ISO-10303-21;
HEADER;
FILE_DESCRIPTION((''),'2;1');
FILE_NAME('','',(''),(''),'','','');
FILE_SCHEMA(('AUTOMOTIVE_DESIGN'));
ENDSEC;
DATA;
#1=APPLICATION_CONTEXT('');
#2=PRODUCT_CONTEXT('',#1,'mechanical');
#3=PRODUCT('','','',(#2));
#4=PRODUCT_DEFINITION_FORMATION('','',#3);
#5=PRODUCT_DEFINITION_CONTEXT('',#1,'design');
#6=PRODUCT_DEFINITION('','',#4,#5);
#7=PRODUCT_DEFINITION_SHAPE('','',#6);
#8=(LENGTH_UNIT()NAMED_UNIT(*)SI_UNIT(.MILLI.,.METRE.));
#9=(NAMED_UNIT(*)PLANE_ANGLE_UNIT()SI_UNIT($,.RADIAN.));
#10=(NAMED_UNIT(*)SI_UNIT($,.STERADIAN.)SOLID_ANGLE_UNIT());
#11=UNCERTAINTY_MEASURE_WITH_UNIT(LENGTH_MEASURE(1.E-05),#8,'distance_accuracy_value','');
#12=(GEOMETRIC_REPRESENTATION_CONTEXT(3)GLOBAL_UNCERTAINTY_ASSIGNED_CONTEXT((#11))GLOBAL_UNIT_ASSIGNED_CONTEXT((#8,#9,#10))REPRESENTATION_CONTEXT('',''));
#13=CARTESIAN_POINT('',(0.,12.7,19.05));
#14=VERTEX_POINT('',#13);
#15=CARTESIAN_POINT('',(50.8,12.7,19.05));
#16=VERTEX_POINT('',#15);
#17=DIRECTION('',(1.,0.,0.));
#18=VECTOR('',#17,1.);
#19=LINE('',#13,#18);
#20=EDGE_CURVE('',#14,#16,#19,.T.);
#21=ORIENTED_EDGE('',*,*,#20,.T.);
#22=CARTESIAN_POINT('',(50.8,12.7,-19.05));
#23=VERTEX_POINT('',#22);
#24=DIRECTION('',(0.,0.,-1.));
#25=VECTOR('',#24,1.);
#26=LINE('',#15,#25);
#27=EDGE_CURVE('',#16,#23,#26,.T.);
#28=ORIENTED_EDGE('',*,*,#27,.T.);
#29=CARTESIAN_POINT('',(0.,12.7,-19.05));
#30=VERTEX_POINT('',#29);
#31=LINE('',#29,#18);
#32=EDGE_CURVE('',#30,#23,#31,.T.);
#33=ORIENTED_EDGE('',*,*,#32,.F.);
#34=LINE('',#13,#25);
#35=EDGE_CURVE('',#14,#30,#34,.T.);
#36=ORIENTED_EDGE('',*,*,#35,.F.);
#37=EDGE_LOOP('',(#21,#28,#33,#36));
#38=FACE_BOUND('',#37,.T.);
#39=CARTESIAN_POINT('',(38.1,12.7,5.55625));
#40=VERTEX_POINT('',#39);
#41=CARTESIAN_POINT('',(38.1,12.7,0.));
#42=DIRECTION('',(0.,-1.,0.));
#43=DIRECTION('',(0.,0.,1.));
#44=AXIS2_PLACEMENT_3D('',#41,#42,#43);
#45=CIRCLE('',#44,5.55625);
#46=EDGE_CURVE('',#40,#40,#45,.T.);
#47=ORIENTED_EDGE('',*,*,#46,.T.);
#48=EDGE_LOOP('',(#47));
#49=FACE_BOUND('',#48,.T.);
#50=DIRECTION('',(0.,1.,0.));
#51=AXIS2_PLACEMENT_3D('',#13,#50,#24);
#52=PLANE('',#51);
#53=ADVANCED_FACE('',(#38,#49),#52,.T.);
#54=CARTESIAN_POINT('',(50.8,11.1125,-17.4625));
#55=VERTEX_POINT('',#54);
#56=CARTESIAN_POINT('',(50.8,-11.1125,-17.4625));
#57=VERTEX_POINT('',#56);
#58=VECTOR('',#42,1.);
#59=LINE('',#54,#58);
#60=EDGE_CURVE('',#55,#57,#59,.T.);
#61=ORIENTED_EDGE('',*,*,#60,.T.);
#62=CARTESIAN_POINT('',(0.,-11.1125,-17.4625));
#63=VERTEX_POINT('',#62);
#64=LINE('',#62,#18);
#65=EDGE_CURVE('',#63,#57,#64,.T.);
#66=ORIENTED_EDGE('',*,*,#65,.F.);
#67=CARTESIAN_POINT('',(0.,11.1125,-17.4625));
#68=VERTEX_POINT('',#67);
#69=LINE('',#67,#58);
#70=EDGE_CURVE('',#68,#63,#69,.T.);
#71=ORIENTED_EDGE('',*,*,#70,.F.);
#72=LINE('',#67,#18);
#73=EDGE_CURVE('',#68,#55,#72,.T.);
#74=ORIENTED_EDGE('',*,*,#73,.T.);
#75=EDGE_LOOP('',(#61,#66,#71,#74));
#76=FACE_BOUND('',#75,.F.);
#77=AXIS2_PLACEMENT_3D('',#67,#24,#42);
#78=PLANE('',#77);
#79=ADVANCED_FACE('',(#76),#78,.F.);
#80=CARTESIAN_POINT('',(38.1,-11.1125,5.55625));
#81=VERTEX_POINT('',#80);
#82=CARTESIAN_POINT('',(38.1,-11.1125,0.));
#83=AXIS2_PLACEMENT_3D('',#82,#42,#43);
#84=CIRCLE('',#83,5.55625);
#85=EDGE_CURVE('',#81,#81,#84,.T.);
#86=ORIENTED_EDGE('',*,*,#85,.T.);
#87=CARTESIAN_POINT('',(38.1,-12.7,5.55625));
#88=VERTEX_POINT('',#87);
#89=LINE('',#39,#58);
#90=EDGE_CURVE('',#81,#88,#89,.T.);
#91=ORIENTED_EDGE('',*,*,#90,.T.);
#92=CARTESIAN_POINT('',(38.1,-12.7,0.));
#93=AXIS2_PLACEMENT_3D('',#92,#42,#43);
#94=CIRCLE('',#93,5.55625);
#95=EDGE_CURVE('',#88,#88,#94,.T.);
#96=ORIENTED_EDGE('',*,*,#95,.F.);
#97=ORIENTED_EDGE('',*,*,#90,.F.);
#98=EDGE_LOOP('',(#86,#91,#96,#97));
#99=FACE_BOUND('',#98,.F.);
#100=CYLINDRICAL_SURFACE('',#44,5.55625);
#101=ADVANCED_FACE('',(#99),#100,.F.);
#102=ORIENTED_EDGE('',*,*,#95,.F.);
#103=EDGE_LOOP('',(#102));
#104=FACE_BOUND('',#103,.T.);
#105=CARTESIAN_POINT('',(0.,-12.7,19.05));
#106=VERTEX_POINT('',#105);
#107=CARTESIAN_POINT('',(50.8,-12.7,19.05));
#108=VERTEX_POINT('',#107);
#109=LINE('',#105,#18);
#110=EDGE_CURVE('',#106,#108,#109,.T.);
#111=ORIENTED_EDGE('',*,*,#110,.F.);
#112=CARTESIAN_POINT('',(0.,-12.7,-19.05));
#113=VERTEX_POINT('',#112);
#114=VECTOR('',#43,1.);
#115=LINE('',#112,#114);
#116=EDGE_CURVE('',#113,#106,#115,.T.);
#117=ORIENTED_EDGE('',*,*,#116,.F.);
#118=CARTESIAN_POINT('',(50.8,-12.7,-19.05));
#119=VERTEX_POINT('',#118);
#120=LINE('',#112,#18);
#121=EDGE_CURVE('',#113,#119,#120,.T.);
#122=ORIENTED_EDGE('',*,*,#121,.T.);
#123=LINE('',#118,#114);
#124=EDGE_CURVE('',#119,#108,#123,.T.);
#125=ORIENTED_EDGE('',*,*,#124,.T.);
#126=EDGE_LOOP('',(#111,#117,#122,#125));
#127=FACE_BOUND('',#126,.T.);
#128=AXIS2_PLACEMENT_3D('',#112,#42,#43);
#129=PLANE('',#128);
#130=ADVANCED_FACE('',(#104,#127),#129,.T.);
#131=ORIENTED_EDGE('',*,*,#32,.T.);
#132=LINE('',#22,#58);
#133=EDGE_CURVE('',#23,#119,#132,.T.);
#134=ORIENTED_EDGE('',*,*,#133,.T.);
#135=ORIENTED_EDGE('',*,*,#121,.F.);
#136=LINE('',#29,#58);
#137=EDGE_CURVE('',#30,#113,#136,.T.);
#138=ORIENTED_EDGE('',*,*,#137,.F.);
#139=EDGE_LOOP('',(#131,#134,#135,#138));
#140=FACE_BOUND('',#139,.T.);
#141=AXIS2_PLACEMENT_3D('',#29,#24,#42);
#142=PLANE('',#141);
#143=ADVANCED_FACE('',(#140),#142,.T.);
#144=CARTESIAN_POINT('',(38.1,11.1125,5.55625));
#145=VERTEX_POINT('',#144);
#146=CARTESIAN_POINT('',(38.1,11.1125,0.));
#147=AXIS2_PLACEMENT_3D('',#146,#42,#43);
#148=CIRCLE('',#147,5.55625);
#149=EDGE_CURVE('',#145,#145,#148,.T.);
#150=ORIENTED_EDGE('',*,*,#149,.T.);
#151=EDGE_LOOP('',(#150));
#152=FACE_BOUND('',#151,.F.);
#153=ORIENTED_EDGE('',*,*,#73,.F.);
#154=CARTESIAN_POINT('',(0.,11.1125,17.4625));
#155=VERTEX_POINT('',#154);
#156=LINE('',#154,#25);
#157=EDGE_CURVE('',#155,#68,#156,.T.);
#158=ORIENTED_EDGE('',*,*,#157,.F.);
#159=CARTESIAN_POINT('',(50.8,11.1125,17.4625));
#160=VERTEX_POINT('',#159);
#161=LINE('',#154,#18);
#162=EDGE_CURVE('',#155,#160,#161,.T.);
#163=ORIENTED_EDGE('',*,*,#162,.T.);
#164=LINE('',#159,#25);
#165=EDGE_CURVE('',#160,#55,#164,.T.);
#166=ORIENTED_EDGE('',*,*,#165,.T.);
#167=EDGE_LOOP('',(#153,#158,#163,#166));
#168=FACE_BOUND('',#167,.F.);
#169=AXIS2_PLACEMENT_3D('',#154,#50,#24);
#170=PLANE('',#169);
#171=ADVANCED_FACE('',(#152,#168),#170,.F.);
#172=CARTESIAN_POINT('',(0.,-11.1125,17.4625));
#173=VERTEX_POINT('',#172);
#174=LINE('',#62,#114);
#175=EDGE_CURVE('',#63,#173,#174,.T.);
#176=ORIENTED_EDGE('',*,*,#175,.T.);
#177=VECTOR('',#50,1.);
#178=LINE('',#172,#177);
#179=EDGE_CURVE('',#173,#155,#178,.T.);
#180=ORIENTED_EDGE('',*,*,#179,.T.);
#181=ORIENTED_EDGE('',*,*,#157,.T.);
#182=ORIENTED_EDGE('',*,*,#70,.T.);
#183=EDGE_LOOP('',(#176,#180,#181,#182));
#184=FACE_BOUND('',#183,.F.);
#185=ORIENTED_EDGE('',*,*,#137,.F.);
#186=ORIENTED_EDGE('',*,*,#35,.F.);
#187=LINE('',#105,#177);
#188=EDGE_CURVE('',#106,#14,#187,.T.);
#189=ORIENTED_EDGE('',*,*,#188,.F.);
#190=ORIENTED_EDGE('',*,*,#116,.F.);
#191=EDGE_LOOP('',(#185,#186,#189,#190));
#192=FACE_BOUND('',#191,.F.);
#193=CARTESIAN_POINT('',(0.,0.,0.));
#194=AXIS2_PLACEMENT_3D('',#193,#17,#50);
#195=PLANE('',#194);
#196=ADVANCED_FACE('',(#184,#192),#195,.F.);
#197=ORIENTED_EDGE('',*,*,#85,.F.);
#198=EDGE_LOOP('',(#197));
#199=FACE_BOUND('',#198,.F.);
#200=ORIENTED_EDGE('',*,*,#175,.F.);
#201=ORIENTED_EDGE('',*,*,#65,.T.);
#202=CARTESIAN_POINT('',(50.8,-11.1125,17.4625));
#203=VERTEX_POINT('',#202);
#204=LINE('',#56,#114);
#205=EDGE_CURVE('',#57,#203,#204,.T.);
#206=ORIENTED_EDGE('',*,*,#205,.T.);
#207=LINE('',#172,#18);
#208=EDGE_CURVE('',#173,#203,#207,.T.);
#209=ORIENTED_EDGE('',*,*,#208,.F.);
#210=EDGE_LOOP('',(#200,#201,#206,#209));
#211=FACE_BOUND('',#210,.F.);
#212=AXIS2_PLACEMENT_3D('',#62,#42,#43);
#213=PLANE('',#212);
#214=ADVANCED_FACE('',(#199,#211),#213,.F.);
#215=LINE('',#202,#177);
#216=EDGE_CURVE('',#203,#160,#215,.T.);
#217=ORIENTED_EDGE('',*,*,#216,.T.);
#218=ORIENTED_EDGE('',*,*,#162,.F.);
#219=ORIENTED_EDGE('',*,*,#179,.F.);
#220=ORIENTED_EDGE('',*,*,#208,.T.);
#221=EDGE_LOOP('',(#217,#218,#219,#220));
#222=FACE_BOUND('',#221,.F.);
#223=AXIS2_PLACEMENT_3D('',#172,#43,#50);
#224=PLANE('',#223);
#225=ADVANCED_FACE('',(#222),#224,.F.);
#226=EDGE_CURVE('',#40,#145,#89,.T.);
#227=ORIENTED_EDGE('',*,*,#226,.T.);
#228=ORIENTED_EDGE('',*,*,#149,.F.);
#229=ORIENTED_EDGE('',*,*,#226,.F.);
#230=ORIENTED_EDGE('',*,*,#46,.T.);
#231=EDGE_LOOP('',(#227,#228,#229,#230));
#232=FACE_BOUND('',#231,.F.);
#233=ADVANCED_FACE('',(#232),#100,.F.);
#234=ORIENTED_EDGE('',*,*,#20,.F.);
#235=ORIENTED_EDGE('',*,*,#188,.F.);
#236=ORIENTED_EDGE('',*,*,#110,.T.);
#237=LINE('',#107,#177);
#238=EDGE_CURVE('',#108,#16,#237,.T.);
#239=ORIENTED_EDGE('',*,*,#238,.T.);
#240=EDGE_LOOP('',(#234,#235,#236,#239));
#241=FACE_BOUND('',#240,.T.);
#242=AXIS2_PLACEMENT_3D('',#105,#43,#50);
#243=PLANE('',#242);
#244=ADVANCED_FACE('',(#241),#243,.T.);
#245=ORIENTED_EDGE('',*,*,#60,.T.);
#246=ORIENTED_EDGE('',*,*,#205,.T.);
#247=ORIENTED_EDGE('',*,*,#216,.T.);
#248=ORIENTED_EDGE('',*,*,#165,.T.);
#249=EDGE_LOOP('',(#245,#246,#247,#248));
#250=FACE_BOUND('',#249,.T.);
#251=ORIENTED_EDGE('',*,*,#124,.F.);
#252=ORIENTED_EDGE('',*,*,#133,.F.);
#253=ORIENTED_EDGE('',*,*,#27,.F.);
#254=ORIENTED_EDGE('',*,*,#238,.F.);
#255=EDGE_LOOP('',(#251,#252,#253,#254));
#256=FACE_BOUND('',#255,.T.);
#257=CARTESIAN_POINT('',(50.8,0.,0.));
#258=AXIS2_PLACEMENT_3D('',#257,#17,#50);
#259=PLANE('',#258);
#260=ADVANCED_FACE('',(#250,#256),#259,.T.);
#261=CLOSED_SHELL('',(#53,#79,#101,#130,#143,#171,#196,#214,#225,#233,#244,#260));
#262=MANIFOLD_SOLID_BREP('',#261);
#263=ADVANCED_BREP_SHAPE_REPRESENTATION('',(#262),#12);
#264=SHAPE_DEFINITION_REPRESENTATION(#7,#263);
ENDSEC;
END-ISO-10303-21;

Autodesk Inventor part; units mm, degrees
ref_plane "Work Plane3" through (0, 12.7, 0) normal (0, 1, 0) x (-1, 0, 0)
ref_plane "Start Plane" through (0, 0, 0) normal (1, 0, 0) x (0, 1, 0)
ref_plane "End Plane" through (50.8, 0, 0) normal (1, 0, 0) x (0, 1, 0)
sketch "Sketch" plane through (0, 0, 0) normal (1, 0, 0) x (0, 1, 0)
  line L0 (-12.7, 19.05) -> (12.7, 19.05)
  line L1 (12.7, 19.05) -> (12.7, -19.05)
  line L2 (12.7, -19.05) -> (-12.7, -19.05)
  line L3 (-12.7, -19.05) -> (-12.7, 19.05)
  line L4 (-12.7, 19.05) -> (12.7, -19.05) construction
  line L5 (12.7, 19.05) -> (-12.7, -19.05) construction
  line L6 (-11.1125, 17.4625) -> (11.1125, 17.4625)
  line L7 (11.1125, 17.4625) -> (11.1125, -17.4625)
  line L8 (11.1125, -17.4625) -> (-11.1125, -17.4625)
  line L9 (-11.1125, -17.4625) -> (-11.1125, 17.4625)
  line L10 (-11.1125, 17.4625) -> (11.1125, -17.4625) construction
  line L11 (11.1125, 17.4625) -> (-11.1125, -17.4625) construction
  point P0 (0, 0)
  dimension "d0" = 38.1
  dimension "d1" = 25.4
  dimension "d2" = 1.5875
  dimension "d3" = 1.5875
extrude "Body" add sketch "Sketch" along normal up to surface (50.8 mm away) from surface at 0
sketch "Sketch8" plane through (0, 0, 0) normal (1, 0, 0) x (0, 1, 0)
  line L0 (0, 0) -> (10, 0)
ref_plane "Work Plane6" through (0, 0, 0) normal (0, 0, -1) x (0, 1, 0)
sketch "Sketch9" plane through (0, 0, 0) normal (0, 0, -1) x (0, 1, 0)
  line L0 (-17.78, 0) -> (17.78, 0)
  line L1 (-17.78, 50.8) -> (17.78, 50.8)
  dimension "d21" = 50.8
sketch "Sketch5" plane through (0, 12.7, -19.05) normal (0, 1, 0) x (1, 0, 0)
  line L0 (0, -38.1) -> (0, 0) projected
  point P0 (0, -19.05)
  point P1 (38.1, -19.05)
  dimension "d22" = 38.1
hole "Hole2" at (38.1, 12.7, 0) direction (0, -1, 0) diameter 11.1125 end through all
equation "\"d3\" = d2"
equation "\"G_OFFSET_START\" = 0"
equation "\"G_OFFSET_END\" = 0"
equation "\"d17\" = d4 + G_OFFSET_END"
equation "\"G_L\" = d21"
equation "\"d4\" = 50.8"
properties part number "1605036794687"
